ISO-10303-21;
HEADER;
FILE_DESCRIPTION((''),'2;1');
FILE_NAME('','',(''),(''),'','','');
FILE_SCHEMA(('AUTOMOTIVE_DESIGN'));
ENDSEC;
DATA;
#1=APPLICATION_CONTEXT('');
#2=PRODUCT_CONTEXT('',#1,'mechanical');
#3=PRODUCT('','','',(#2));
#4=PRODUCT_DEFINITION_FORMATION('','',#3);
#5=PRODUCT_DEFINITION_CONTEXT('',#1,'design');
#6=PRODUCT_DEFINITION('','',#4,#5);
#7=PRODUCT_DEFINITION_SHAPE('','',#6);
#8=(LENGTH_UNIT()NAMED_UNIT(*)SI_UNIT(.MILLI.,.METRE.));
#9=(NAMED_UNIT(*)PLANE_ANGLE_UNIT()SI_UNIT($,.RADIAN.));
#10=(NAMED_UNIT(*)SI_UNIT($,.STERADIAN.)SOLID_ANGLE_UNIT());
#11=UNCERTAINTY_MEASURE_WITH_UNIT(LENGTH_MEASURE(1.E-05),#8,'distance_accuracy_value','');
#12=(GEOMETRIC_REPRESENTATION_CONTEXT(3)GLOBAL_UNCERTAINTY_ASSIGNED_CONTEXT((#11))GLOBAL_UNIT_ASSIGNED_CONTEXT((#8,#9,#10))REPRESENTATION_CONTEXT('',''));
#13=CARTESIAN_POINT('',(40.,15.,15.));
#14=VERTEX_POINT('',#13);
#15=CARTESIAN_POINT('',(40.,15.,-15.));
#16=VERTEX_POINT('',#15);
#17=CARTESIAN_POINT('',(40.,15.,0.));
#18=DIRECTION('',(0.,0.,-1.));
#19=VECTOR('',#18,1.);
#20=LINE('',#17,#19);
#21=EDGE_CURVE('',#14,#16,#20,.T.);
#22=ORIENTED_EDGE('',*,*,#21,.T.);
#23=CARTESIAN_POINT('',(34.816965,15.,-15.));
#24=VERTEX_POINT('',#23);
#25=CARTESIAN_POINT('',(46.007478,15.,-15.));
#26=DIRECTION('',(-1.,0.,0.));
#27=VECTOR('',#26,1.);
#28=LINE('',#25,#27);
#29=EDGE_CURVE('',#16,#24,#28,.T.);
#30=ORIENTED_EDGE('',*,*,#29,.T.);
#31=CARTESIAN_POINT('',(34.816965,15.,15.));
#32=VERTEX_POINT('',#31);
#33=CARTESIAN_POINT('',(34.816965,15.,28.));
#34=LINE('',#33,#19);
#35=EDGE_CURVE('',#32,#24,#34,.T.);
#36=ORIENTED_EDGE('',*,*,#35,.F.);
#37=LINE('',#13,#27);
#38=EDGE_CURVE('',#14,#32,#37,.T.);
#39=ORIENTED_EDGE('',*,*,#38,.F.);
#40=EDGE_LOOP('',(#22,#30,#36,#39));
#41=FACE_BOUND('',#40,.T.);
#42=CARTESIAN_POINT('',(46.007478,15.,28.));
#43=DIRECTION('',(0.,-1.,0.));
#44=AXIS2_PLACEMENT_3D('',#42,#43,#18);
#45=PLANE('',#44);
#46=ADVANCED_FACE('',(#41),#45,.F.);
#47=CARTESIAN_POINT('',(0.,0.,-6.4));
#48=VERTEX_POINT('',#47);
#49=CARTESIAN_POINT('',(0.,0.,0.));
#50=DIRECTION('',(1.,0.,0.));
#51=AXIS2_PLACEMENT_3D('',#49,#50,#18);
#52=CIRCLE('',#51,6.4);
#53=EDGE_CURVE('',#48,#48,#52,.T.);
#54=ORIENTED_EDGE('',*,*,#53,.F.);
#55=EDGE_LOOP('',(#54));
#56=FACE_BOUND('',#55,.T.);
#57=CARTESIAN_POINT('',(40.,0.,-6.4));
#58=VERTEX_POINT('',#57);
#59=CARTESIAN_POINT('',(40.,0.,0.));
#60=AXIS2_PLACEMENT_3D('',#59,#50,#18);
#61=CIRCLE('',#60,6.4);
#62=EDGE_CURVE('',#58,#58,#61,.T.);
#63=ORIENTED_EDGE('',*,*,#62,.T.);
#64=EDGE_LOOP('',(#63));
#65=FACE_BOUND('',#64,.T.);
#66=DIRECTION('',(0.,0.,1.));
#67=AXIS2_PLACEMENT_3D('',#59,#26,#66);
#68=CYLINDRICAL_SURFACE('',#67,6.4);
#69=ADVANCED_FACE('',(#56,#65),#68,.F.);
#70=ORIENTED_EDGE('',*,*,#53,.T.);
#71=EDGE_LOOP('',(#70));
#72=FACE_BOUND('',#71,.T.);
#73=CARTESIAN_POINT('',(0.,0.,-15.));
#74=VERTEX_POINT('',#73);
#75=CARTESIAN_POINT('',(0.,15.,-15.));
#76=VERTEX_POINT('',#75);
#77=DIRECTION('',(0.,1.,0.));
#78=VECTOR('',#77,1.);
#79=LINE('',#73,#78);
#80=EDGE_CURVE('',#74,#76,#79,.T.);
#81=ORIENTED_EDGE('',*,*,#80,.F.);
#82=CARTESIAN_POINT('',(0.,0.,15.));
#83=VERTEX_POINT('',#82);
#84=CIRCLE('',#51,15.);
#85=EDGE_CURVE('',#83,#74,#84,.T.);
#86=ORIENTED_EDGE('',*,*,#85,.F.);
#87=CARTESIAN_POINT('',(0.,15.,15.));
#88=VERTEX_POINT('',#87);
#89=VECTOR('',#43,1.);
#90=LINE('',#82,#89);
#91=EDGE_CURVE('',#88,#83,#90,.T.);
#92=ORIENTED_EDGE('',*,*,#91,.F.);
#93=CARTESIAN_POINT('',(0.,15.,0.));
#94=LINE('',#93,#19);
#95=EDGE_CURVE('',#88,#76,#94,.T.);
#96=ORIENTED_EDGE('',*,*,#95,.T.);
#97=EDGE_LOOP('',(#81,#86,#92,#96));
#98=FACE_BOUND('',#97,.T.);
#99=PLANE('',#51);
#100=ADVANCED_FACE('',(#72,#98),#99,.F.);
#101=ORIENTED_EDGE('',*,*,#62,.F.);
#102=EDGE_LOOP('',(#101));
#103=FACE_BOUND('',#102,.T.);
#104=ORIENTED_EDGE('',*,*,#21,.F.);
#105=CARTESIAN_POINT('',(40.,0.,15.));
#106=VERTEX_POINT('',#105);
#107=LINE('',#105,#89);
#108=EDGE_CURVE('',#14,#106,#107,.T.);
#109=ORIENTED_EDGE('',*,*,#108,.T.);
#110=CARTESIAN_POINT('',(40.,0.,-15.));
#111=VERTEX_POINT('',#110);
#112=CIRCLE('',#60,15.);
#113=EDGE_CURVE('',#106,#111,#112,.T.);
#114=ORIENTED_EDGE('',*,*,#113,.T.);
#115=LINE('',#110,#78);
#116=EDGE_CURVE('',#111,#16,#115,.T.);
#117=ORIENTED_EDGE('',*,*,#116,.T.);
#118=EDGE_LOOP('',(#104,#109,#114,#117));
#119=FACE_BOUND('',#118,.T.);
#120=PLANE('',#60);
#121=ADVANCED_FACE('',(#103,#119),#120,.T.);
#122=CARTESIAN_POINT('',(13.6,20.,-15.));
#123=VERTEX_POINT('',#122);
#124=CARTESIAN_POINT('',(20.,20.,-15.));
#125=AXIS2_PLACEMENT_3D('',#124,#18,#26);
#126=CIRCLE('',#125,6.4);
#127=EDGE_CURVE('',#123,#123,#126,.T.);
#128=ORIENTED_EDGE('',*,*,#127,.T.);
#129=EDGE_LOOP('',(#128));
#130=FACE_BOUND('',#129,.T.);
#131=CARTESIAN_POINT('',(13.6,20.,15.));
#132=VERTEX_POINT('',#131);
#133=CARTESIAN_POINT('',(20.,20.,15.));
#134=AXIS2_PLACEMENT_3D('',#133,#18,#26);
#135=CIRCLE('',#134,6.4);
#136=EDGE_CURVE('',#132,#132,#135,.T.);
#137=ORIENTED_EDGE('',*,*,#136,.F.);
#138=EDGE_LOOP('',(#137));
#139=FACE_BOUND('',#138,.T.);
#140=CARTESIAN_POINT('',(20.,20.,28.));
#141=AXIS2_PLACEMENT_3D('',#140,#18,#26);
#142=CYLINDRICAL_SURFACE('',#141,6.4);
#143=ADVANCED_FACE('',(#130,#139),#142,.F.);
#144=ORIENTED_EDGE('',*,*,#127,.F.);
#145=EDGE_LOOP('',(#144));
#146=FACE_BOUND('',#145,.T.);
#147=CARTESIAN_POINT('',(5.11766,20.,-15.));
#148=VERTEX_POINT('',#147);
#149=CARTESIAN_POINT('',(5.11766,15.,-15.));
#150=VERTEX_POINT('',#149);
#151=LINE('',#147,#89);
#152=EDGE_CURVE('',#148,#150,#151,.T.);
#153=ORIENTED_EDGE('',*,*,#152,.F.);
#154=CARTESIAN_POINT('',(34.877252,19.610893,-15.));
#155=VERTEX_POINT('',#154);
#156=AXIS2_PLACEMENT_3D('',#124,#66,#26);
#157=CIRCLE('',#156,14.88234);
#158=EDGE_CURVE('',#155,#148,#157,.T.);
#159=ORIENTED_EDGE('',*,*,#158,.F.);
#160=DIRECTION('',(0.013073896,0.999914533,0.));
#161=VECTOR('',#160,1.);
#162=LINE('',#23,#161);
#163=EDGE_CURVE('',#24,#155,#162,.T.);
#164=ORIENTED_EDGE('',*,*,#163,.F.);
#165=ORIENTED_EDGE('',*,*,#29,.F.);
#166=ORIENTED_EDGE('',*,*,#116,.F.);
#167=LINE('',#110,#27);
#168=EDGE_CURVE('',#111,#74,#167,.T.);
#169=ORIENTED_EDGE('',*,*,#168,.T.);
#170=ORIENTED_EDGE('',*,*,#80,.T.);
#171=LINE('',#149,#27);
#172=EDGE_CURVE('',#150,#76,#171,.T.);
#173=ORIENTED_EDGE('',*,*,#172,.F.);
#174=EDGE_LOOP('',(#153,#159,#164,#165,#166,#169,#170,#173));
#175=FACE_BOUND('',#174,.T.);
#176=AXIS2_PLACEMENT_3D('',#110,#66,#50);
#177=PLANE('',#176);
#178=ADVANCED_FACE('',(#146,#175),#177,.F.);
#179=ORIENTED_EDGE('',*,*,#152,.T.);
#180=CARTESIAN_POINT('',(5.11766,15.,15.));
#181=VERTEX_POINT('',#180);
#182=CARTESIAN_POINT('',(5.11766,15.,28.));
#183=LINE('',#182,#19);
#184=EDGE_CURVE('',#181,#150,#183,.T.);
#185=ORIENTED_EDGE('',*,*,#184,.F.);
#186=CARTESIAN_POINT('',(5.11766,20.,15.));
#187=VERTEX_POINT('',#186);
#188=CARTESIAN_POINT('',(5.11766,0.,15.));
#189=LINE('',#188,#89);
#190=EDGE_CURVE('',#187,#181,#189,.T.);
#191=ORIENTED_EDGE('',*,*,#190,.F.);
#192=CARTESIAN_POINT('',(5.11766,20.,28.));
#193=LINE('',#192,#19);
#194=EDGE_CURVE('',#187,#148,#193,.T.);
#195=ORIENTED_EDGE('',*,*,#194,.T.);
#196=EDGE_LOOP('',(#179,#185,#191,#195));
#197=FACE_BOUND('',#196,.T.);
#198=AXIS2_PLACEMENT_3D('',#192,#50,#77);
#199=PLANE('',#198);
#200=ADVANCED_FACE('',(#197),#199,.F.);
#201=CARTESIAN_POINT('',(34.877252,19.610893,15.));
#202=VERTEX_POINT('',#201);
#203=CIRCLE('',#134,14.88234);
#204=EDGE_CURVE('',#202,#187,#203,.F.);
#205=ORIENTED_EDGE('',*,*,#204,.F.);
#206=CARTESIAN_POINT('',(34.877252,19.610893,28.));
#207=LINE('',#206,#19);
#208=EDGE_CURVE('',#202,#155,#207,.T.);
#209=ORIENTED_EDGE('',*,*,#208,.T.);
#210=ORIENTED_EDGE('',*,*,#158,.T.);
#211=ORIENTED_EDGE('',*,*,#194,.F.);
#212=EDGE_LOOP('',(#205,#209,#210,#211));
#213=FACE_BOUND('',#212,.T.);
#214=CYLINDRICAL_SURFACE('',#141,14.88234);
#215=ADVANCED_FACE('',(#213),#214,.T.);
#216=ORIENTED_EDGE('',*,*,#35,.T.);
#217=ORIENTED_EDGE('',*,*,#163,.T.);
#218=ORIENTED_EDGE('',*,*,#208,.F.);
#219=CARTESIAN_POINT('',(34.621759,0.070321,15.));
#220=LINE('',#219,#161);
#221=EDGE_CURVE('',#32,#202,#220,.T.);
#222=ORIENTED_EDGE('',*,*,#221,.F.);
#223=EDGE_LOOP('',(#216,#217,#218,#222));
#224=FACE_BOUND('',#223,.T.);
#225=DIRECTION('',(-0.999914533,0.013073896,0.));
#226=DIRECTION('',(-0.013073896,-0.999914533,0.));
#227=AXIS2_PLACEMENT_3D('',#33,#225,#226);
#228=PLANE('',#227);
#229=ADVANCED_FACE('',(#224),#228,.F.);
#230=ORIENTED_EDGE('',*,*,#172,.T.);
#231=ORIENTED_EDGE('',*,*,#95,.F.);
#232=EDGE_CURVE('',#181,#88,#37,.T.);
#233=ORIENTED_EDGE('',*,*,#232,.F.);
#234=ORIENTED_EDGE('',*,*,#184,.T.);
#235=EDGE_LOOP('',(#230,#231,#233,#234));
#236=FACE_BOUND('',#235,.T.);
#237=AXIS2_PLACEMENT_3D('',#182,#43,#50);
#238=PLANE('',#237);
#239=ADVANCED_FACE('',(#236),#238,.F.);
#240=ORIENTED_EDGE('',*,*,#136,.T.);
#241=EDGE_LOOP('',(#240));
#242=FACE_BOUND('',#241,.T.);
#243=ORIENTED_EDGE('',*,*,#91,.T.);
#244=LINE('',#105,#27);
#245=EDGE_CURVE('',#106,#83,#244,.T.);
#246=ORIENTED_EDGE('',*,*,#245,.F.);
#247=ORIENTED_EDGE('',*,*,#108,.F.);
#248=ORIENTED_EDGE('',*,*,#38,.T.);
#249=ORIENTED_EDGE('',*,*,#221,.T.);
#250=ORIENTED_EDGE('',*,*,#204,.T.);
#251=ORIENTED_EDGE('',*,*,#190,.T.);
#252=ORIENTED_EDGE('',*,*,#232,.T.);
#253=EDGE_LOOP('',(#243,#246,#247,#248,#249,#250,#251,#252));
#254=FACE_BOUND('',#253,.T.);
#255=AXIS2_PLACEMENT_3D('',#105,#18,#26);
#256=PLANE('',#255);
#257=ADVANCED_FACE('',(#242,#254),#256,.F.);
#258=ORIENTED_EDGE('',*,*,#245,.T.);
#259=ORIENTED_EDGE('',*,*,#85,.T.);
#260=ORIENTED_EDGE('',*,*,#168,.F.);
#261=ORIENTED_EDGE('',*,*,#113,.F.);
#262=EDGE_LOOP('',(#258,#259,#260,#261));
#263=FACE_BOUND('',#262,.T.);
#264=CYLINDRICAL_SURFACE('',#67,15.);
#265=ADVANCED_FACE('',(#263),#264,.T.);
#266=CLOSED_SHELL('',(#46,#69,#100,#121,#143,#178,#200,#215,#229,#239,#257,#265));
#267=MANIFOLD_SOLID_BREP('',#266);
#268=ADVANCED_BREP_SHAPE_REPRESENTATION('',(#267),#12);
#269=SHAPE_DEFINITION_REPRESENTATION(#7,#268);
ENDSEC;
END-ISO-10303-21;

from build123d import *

# Parameters (mm, degrees)
SKETCH1_R           = 6.4
BOSS_EXTRUDE1_DEPTH = 40
SKETCH3_R           = 6.4
CUT_EXTRUDE1_DEPTH  = 43


with BuildPart() as part:
    # Sketch1 → Boss-Extrude1 (new body)
    with BuildSketch(Plane(origin=(0, 0, 0), x_dir=(0, 0, -1), z_dir=(1, 0, 0))):
        with BuildLine():
            Line((15, 0), (15, 35))
            Line((15, 35), (-15, 35))
            Line((-15, 35), (-15, 0))
            ThreePointArc((-15, 0), (0, -15), (15, 0))
        make_face()
        Circle(SKETCH1_R, mode=Mode.SUBTRACT)
    extrude(amount=BOSS_EXTRUDE1_DEPTH)

    # Sketch3 → Cut-Extrude1 (cut)
    with BuildSketch(Plane(origin=(0, 0, -15), x_dir=(-1, 0, 0), z_dir=(0, 0, -1))):
        with Locations((-20, 20)):
            Circle(SKETCH3_R)
        with BuildLine():
            Line((-46.007478206, 15), (-34.81696458, 15))
            Line((-34.81696458, 15), (-34.877252069, 19.610892924))
            ThreePointArc((-34.877252069, 19.610892924), (-20.194570167, 34.8810677), (-5.11766035, 20))
            Line((-5.11766035, 20), (-5.11766035, 15))
            Line((-5.11766035, 15), (8.555205081, 15))
            Line((8.555205081, 15), (8.555205081, 43.038004213))
            Line((8.555205081, 43.038004213), (-46.007478206, 43.038004213))
            Line((-46.007478206, 43.038004213), (-46.007478206, 15))
        make_face()
    extrude(amount=-CUT_EXTRUDE1_DEPTH, mode=Mode.SUBTRACT)


solid = part.part
